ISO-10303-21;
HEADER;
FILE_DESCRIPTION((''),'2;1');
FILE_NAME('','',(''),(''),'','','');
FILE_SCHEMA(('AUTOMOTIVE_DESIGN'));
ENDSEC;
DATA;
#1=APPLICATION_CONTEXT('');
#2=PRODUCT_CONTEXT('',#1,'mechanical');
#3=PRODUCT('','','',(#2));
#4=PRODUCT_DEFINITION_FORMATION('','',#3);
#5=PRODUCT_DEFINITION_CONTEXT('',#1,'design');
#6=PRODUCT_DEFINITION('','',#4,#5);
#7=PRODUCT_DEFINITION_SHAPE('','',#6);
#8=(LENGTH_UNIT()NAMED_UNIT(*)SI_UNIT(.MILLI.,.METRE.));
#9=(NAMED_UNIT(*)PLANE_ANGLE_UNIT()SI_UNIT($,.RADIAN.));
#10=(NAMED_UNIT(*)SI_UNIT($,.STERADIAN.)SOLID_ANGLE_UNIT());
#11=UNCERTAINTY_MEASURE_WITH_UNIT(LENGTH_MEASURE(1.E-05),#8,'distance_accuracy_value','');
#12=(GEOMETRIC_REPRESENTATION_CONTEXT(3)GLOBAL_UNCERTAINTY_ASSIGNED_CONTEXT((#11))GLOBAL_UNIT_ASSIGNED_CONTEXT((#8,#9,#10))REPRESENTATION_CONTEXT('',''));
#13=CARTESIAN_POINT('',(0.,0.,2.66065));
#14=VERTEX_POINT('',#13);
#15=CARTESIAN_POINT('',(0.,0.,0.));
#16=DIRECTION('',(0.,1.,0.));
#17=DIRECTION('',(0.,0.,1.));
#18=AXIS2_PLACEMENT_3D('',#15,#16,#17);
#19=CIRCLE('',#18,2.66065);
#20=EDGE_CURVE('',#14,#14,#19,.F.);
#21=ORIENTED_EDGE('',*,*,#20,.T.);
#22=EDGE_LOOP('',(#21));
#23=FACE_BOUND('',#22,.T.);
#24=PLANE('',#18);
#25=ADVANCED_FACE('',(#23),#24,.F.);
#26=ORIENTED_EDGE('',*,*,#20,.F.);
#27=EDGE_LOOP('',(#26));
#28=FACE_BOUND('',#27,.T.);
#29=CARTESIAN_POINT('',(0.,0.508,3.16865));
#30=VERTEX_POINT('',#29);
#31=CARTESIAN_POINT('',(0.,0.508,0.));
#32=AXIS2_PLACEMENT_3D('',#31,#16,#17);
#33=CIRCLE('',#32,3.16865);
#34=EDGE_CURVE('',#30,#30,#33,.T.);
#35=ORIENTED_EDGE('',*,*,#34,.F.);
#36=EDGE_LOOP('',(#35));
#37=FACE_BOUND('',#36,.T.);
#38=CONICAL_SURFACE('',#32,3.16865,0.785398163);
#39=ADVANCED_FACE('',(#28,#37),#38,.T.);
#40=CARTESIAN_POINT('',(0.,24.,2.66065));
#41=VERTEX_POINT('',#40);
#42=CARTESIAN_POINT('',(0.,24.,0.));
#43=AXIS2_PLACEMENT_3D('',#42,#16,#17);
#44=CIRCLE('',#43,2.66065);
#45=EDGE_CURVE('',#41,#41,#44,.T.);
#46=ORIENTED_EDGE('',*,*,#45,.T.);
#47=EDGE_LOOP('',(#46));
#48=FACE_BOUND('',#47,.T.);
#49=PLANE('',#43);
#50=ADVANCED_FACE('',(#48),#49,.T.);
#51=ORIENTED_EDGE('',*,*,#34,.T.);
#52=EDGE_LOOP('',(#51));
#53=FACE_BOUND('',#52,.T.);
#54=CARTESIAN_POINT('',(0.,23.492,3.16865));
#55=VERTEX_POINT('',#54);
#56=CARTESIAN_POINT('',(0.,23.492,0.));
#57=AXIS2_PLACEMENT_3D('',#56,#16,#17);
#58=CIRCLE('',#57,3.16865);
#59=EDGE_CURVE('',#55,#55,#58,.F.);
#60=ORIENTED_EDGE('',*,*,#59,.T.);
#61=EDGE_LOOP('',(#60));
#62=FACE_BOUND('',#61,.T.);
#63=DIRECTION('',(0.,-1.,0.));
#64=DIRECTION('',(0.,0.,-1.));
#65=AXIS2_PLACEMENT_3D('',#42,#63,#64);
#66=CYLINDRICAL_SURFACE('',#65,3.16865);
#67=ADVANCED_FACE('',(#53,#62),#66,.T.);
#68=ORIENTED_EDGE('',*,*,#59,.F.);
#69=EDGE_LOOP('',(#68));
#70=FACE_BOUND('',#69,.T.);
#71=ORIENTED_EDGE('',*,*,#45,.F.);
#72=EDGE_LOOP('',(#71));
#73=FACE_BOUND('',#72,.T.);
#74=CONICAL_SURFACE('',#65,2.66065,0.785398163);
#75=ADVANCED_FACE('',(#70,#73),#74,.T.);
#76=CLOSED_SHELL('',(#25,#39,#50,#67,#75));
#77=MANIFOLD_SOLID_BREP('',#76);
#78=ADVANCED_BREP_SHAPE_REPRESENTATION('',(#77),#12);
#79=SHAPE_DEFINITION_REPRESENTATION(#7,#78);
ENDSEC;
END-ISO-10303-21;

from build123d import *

# Parameters (mm, degrees)
SKETCH1_R           = 3.16865
BOSS_EXTRUDE1_DEPTH = 24
CHAMFER1_SIZE       = 0.508


with BuildPart() as part:
    # Sketch1 → Boss-Extrude1 (new body)
    with BuildSketch(Plane(origin=(0, 0, 0), x_dir=(1, 0, 0), z_dir=(0, 1, 0))):
        with Locations(Location((0, 0, 0), (0, 0, 270))):  # turned: the seam where the file's is
            Circle(SKETCH1_R)
    extrude(amount=BOSS_EXTRUDE1_DEPTH)

    # Chamfer1
    chamfer1_edges = [part.edges().sort_by_distance(p)[0] for p in [
        (0, 0, -3.16865),
        (0, 24, -3.16865),
    ]]
    chamfer(chamfer1_edges, length=CHAMFER1_SIZE)


solid = part.part
